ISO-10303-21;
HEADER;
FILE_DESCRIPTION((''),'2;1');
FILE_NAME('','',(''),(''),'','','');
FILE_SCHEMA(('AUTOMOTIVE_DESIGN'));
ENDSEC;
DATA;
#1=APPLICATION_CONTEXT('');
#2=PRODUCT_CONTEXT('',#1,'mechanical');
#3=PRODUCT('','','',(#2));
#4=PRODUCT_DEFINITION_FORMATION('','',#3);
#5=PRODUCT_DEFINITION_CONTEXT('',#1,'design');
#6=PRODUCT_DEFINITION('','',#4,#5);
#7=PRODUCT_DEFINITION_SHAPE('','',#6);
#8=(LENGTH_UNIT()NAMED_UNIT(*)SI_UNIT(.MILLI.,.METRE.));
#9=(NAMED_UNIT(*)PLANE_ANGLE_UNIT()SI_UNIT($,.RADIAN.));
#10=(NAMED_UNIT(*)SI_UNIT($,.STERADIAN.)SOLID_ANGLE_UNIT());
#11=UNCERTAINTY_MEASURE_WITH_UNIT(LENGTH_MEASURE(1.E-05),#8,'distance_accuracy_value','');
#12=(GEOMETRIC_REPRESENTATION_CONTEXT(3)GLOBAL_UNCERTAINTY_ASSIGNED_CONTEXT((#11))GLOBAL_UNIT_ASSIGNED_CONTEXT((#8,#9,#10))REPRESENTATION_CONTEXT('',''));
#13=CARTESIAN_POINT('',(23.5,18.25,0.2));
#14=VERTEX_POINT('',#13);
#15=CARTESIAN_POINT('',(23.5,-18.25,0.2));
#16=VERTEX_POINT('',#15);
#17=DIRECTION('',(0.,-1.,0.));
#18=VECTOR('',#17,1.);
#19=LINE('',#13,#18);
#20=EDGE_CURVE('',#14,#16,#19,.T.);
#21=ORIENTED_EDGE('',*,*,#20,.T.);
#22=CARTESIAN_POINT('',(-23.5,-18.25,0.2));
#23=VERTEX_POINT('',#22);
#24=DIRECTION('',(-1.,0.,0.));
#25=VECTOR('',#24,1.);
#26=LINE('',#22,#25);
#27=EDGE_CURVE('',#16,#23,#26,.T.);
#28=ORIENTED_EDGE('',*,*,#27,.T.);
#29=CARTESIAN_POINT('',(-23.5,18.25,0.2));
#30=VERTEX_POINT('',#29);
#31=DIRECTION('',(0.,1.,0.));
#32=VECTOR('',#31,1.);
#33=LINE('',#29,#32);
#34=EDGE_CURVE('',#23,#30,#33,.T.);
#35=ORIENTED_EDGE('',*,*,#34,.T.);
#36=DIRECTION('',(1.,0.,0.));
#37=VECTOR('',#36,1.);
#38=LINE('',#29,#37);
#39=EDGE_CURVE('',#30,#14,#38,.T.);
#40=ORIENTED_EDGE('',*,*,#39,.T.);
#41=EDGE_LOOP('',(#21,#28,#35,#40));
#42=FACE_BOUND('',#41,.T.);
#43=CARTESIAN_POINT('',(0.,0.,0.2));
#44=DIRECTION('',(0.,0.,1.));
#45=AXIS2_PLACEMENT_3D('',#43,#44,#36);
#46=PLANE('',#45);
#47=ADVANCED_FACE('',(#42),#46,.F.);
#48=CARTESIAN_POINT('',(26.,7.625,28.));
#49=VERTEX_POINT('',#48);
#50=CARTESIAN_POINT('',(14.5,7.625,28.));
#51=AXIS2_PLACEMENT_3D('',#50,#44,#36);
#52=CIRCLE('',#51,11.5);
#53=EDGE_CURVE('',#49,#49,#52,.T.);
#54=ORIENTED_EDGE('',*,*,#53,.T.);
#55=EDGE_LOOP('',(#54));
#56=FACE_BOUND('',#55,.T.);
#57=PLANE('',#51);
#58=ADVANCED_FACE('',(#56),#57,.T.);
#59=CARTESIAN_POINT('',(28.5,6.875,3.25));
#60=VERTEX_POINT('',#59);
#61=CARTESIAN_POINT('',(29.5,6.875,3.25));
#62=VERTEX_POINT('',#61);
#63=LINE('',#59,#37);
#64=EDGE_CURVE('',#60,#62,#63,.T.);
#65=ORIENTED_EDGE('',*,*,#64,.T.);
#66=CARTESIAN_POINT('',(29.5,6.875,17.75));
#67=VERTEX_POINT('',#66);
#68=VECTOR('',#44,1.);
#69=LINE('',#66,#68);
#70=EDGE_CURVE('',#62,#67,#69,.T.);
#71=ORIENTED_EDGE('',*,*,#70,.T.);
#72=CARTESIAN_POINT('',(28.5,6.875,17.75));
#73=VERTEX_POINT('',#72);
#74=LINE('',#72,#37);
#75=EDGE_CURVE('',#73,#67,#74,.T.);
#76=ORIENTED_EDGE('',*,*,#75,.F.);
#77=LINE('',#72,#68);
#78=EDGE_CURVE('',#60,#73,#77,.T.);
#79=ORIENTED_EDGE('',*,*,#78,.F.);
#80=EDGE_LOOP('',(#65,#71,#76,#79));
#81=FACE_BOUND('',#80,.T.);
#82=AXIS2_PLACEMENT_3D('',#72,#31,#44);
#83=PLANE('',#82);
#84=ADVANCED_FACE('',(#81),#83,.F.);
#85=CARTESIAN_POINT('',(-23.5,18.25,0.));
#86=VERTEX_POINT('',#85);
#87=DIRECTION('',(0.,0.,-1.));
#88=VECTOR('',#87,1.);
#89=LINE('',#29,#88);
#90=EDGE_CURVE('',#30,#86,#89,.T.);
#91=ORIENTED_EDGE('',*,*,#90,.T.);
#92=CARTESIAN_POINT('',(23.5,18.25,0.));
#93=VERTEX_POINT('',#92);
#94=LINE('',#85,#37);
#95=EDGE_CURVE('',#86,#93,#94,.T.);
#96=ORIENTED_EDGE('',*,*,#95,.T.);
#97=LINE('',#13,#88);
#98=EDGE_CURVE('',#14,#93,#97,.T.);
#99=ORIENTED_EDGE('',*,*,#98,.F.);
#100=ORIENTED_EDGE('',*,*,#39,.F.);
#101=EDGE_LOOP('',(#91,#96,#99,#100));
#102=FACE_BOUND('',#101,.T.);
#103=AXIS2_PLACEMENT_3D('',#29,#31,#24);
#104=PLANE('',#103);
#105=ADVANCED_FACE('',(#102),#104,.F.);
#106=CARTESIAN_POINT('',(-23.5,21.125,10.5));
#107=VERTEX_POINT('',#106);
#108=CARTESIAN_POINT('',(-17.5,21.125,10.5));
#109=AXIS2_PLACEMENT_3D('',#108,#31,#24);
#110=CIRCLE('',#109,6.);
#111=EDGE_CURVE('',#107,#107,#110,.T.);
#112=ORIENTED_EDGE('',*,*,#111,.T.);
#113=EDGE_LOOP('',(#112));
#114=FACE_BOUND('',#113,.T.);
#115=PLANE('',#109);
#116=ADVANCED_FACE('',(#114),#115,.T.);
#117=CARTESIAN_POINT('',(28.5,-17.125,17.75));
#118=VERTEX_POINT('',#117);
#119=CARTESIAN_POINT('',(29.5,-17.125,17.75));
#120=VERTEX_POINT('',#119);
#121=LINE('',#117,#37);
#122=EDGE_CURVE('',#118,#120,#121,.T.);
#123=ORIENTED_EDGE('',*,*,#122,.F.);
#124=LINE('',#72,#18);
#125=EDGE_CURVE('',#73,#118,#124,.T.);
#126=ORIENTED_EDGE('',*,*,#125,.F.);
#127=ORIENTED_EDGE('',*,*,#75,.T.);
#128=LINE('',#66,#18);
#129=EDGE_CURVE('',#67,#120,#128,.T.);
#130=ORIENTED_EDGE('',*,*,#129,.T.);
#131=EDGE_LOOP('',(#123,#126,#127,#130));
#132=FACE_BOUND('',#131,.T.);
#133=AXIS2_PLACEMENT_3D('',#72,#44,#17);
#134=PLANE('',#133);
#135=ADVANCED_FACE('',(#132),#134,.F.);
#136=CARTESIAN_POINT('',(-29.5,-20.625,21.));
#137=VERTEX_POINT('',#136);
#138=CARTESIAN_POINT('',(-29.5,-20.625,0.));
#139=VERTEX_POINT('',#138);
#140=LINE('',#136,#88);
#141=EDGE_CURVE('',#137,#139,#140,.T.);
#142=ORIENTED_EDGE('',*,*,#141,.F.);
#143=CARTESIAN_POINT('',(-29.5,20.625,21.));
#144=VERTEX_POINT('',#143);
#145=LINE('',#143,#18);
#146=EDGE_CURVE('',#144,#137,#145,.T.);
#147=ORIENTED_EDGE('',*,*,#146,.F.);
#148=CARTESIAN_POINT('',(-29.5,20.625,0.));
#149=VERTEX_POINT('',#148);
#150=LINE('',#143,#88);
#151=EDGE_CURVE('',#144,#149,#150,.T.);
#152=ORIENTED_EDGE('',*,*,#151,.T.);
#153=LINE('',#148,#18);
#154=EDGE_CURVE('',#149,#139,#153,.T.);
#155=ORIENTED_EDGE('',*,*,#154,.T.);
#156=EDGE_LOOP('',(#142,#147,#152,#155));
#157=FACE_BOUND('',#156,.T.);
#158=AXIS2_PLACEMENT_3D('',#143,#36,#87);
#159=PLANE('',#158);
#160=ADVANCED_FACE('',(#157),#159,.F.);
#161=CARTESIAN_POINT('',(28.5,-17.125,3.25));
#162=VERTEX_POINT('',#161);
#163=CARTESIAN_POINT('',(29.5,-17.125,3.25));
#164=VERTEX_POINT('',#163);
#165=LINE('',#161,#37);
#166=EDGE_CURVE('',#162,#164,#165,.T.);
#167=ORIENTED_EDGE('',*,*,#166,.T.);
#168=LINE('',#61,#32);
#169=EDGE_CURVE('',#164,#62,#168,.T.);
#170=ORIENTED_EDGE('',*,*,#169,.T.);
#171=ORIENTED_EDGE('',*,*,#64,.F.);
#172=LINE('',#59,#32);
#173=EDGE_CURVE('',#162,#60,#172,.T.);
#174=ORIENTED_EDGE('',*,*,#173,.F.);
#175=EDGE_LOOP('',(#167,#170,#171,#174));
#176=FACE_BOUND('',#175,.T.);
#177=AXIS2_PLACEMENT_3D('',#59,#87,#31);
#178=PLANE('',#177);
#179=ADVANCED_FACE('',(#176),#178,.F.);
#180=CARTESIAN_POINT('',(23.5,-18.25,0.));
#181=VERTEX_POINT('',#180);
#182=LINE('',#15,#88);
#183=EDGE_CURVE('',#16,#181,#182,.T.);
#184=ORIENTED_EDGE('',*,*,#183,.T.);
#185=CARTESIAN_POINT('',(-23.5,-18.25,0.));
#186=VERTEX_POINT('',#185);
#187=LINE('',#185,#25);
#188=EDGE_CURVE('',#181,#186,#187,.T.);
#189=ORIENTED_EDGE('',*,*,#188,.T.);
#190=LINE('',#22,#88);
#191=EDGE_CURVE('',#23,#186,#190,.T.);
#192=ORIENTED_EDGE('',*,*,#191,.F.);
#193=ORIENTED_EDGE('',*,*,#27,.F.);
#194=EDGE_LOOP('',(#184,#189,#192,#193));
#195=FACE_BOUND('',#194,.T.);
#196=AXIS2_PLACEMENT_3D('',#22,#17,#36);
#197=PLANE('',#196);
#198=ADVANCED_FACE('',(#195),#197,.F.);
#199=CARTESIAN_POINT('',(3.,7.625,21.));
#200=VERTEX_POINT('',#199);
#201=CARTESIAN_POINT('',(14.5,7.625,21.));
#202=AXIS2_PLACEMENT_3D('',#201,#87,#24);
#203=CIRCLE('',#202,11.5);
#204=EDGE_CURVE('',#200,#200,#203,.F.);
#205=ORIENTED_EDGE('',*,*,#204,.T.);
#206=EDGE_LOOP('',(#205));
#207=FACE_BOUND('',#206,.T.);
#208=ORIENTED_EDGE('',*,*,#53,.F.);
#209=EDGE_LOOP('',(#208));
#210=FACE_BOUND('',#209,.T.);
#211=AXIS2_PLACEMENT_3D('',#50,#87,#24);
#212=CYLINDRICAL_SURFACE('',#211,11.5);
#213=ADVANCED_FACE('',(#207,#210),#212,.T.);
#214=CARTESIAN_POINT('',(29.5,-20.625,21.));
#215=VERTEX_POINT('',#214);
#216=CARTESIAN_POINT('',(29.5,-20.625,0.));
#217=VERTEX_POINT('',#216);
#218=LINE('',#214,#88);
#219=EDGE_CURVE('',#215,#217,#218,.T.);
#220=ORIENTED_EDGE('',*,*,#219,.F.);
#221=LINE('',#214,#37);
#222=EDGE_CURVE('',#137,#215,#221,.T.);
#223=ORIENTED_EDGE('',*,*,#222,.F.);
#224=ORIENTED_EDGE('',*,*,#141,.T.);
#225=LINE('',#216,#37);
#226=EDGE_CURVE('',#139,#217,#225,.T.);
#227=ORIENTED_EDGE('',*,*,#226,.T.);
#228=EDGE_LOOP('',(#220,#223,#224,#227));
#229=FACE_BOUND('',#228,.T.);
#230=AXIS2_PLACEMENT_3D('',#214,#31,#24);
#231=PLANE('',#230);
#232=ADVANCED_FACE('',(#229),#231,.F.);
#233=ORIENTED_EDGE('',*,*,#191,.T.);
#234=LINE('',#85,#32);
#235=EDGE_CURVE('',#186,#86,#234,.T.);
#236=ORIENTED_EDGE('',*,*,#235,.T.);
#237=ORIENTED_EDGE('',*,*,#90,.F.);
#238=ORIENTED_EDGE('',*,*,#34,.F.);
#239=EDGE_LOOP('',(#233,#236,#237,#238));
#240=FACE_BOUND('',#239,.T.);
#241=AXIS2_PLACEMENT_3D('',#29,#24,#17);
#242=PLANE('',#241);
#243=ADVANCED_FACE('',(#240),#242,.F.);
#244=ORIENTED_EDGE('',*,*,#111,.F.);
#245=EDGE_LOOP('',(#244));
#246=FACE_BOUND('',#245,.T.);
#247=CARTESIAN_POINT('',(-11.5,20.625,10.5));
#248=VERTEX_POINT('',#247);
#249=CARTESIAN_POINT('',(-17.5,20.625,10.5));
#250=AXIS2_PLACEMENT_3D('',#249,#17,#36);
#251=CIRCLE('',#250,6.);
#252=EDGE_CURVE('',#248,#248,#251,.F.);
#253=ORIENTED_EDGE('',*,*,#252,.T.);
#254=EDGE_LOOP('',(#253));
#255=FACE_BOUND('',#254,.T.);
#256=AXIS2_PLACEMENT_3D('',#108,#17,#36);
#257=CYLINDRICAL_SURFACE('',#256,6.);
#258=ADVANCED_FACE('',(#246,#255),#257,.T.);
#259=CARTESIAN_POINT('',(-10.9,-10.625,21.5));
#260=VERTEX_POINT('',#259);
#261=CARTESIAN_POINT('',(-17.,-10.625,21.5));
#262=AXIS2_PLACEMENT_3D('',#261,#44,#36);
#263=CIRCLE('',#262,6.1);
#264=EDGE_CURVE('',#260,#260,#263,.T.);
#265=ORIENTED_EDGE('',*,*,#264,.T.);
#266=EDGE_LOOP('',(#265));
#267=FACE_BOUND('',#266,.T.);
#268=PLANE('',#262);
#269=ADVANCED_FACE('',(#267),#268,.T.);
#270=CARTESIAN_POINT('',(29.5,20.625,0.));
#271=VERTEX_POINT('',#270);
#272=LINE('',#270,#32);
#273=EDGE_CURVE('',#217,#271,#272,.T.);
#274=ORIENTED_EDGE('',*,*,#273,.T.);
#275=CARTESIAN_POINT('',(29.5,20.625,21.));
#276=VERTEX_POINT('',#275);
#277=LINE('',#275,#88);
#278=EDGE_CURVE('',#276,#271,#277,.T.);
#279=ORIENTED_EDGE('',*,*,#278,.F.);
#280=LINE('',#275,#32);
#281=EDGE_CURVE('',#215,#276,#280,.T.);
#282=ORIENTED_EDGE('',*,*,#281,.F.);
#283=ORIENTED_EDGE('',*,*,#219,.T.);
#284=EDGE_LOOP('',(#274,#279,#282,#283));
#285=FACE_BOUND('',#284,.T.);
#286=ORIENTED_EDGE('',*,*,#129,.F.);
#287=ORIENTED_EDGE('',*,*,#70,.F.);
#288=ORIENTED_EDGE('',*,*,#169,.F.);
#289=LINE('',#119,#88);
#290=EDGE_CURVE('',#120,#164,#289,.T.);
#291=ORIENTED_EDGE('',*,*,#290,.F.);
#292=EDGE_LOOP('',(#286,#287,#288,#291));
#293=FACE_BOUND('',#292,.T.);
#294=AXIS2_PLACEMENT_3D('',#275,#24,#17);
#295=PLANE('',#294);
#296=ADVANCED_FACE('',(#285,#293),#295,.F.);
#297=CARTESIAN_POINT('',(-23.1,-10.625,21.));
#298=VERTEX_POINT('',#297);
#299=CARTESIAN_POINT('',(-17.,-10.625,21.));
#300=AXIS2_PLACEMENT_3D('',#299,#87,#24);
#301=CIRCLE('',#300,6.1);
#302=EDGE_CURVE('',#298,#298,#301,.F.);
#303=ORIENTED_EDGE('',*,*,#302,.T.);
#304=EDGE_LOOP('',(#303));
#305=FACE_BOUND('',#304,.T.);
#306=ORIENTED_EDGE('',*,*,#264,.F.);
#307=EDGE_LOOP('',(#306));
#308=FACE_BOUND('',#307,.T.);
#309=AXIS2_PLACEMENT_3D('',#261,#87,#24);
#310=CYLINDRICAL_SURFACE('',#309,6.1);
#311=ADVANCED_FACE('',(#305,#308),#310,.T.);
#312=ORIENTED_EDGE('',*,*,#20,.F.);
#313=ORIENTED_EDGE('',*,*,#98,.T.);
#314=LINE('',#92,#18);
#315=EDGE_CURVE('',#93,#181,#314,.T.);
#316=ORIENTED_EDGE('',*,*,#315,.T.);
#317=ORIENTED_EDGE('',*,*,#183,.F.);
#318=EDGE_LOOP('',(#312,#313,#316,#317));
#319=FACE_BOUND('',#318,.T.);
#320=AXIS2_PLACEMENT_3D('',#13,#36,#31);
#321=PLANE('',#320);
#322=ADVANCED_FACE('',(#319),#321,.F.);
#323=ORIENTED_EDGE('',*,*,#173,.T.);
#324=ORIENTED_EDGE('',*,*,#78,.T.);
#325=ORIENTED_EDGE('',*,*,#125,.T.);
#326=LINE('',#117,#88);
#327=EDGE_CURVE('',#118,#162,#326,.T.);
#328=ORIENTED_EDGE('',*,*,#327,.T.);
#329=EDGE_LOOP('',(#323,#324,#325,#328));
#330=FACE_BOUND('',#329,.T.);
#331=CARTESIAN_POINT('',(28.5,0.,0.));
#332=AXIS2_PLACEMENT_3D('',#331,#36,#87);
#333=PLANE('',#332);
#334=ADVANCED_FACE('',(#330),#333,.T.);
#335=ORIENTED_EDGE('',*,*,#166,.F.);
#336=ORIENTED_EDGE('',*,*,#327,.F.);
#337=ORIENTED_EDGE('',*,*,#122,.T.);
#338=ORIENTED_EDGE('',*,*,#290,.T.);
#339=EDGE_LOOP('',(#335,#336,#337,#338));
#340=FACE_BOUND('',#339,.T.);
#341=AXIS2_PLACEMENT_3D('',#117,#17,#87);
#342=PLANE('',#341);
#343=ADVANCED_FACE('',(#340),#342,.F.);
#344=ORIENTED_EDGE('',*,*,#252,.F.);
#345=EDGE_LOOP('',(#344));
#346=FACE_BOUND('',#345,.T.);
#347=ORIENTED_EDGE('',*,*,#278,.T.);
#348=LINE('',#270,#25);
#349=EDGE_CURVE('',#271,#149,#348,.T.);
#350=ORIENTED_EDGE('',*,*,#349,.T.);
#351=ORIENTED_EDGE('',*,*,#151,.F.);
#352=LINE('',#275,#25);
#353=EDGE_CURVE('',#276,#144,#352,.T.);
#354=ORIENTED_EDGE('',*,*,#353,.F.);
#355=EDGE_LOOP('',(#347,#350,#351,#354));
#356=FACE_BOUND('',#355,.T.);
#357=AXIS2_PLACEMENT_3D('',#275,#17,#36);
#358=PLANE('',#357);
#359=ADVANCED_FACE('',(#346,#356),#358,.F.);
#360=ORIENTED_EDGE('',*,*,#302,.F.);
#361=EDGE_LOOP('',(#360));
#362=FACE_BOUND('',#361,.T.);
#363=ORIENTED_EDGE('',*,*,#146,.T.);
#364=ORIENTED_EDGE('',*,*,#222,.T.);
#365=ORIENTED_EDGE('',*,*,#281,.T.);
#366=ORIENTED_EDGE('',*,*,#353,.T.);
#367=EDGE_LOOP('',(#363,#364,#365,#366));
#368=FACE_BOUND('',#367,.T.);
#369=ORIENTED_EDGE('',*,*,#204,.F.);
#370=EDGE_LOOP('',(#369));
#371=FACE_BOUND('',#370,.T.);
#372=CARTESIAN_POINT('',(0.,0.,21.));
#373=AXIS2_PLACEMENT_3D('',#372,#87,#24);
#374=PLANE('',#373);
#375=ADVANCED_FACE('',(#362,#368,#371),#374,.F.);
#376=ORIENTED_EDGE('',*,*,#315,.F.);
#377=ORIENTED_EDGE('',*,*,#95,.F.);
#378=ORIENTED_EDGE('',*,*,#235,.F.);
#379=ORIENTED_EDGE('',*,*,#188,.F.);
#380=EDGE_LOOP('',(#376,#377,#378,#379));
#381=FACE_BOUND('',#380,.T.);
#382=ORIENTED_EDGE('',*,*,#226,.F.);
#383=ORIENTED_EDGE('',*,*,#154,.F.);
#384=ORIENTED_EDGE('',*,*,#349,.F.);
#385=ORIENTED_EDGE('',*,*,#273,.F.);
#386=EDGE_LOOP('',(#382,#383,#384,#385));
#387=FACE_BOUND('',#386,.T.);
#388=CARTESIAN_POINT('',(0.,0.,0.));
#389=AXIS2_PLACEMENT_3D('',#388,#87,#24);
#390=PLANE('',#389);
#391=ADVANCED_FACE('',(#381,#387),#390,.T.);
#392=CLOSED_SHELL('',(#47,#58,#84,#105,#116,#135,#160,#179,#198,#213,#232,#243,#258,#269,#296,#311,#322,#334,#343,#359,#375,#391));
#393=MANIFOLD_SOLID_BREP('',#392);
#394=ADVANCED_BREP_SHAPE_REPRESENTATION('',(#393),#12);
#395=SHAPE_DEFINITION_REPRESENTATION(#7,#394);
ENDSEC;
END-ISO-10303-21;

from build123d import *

# Parameters (mm, degrees)
SKETCH1_W           = 59
SKETCH1_H           = 41.25
BOSS_EXTRUDE1_DEPTH = 21
SKETCH2_R           = 11.5
BOSS_EXTRUDE2_DEPTH = 7
SKETCH3_R           = 6.1
BOSS_EXTRUDE3_DEPTH = 0.5
SKETCH4_W           = 14.5
SKETCH4_H           = 24
CUT_EXTRUDE1_DEPTH  = 1
SKETCH5_W           = 47
SKETCH5_H           = 36.5
CUT_EXTRUDE2_DEPTH  = 0.2
SKETCH6_R           = 6
BOSS_EXTRUDE4_DEPTH = 0.5


with BuildPart() as part:
    # Sketch1 → Boss-Extrude1 (new body)
    with BuildSketch(Plane.XY):
        Rectangle(SKETCH1_W, SKETCH1_H)
    extrude(amount=BOSS_EXTRUDE1_DEPTH)

    # Sketch2 → Boss-Extrude2 (add)
    with BuildSketch(Plane.XY.offset(21)):
        with Locations(Location((14.5, 7.625, 0), (0, 0, 180))):
            Circle(SKETCH2_R)
    extrude(amount=BOSS_EXTRUDE2_DEPTH)

    # Sketch3 → Boss-Extrude3 (add)
    with BuildSketch(Plane.XY.offset(21)):
        with Locations(Location((-17, -10.625, 0), (0, 0, 180))):
            Circle(SKETCH3_R)
    extrude(amount=BOSS_EXTRUDE3_DEPTH)

    # Sketch4 → Cut-Extrude1 (cut)
    with BuildSketch(Plane(origin=(29.5, 0, 0), x_dir=(0, 0, -1), z_dir=(1, 0, 0))):
        with Locations((-10.5, -5.125)):
            Rectangle(SKETCH4_W, SKETCH4_H)
    extrude(amount=-CUT_EXTRUDE1_DEPTH, mode=Mode.SUBTRACT)

    # Sketch5 → Cut-Extrude2 (cut)
    with BuildSketch(Plane(origin=(0, 0, 0), x_dir=(-1, 0, 0), z_dir=(0, 0, -1))):
        Rectangle(SKETCH5_W, SKETCH5_H)
    extrude(amount=-CUT_EXTRUDE2_DEPTH, mode=Mode.SUBTRACT)

    # Sketch6 → Boss-Extrude4 (add)
    with BuildSketch(Plane(origin=(0, 20.625, 0), x_dir=(1, 0, 0), z_dir=(0, 1, 0))):
        with Locations((-17.5, -10.5)):
            Circle(SKETCH6_R)
    extrude(amount=BOSS_EXTRUDE4_DEPTH)


solid = part.part
